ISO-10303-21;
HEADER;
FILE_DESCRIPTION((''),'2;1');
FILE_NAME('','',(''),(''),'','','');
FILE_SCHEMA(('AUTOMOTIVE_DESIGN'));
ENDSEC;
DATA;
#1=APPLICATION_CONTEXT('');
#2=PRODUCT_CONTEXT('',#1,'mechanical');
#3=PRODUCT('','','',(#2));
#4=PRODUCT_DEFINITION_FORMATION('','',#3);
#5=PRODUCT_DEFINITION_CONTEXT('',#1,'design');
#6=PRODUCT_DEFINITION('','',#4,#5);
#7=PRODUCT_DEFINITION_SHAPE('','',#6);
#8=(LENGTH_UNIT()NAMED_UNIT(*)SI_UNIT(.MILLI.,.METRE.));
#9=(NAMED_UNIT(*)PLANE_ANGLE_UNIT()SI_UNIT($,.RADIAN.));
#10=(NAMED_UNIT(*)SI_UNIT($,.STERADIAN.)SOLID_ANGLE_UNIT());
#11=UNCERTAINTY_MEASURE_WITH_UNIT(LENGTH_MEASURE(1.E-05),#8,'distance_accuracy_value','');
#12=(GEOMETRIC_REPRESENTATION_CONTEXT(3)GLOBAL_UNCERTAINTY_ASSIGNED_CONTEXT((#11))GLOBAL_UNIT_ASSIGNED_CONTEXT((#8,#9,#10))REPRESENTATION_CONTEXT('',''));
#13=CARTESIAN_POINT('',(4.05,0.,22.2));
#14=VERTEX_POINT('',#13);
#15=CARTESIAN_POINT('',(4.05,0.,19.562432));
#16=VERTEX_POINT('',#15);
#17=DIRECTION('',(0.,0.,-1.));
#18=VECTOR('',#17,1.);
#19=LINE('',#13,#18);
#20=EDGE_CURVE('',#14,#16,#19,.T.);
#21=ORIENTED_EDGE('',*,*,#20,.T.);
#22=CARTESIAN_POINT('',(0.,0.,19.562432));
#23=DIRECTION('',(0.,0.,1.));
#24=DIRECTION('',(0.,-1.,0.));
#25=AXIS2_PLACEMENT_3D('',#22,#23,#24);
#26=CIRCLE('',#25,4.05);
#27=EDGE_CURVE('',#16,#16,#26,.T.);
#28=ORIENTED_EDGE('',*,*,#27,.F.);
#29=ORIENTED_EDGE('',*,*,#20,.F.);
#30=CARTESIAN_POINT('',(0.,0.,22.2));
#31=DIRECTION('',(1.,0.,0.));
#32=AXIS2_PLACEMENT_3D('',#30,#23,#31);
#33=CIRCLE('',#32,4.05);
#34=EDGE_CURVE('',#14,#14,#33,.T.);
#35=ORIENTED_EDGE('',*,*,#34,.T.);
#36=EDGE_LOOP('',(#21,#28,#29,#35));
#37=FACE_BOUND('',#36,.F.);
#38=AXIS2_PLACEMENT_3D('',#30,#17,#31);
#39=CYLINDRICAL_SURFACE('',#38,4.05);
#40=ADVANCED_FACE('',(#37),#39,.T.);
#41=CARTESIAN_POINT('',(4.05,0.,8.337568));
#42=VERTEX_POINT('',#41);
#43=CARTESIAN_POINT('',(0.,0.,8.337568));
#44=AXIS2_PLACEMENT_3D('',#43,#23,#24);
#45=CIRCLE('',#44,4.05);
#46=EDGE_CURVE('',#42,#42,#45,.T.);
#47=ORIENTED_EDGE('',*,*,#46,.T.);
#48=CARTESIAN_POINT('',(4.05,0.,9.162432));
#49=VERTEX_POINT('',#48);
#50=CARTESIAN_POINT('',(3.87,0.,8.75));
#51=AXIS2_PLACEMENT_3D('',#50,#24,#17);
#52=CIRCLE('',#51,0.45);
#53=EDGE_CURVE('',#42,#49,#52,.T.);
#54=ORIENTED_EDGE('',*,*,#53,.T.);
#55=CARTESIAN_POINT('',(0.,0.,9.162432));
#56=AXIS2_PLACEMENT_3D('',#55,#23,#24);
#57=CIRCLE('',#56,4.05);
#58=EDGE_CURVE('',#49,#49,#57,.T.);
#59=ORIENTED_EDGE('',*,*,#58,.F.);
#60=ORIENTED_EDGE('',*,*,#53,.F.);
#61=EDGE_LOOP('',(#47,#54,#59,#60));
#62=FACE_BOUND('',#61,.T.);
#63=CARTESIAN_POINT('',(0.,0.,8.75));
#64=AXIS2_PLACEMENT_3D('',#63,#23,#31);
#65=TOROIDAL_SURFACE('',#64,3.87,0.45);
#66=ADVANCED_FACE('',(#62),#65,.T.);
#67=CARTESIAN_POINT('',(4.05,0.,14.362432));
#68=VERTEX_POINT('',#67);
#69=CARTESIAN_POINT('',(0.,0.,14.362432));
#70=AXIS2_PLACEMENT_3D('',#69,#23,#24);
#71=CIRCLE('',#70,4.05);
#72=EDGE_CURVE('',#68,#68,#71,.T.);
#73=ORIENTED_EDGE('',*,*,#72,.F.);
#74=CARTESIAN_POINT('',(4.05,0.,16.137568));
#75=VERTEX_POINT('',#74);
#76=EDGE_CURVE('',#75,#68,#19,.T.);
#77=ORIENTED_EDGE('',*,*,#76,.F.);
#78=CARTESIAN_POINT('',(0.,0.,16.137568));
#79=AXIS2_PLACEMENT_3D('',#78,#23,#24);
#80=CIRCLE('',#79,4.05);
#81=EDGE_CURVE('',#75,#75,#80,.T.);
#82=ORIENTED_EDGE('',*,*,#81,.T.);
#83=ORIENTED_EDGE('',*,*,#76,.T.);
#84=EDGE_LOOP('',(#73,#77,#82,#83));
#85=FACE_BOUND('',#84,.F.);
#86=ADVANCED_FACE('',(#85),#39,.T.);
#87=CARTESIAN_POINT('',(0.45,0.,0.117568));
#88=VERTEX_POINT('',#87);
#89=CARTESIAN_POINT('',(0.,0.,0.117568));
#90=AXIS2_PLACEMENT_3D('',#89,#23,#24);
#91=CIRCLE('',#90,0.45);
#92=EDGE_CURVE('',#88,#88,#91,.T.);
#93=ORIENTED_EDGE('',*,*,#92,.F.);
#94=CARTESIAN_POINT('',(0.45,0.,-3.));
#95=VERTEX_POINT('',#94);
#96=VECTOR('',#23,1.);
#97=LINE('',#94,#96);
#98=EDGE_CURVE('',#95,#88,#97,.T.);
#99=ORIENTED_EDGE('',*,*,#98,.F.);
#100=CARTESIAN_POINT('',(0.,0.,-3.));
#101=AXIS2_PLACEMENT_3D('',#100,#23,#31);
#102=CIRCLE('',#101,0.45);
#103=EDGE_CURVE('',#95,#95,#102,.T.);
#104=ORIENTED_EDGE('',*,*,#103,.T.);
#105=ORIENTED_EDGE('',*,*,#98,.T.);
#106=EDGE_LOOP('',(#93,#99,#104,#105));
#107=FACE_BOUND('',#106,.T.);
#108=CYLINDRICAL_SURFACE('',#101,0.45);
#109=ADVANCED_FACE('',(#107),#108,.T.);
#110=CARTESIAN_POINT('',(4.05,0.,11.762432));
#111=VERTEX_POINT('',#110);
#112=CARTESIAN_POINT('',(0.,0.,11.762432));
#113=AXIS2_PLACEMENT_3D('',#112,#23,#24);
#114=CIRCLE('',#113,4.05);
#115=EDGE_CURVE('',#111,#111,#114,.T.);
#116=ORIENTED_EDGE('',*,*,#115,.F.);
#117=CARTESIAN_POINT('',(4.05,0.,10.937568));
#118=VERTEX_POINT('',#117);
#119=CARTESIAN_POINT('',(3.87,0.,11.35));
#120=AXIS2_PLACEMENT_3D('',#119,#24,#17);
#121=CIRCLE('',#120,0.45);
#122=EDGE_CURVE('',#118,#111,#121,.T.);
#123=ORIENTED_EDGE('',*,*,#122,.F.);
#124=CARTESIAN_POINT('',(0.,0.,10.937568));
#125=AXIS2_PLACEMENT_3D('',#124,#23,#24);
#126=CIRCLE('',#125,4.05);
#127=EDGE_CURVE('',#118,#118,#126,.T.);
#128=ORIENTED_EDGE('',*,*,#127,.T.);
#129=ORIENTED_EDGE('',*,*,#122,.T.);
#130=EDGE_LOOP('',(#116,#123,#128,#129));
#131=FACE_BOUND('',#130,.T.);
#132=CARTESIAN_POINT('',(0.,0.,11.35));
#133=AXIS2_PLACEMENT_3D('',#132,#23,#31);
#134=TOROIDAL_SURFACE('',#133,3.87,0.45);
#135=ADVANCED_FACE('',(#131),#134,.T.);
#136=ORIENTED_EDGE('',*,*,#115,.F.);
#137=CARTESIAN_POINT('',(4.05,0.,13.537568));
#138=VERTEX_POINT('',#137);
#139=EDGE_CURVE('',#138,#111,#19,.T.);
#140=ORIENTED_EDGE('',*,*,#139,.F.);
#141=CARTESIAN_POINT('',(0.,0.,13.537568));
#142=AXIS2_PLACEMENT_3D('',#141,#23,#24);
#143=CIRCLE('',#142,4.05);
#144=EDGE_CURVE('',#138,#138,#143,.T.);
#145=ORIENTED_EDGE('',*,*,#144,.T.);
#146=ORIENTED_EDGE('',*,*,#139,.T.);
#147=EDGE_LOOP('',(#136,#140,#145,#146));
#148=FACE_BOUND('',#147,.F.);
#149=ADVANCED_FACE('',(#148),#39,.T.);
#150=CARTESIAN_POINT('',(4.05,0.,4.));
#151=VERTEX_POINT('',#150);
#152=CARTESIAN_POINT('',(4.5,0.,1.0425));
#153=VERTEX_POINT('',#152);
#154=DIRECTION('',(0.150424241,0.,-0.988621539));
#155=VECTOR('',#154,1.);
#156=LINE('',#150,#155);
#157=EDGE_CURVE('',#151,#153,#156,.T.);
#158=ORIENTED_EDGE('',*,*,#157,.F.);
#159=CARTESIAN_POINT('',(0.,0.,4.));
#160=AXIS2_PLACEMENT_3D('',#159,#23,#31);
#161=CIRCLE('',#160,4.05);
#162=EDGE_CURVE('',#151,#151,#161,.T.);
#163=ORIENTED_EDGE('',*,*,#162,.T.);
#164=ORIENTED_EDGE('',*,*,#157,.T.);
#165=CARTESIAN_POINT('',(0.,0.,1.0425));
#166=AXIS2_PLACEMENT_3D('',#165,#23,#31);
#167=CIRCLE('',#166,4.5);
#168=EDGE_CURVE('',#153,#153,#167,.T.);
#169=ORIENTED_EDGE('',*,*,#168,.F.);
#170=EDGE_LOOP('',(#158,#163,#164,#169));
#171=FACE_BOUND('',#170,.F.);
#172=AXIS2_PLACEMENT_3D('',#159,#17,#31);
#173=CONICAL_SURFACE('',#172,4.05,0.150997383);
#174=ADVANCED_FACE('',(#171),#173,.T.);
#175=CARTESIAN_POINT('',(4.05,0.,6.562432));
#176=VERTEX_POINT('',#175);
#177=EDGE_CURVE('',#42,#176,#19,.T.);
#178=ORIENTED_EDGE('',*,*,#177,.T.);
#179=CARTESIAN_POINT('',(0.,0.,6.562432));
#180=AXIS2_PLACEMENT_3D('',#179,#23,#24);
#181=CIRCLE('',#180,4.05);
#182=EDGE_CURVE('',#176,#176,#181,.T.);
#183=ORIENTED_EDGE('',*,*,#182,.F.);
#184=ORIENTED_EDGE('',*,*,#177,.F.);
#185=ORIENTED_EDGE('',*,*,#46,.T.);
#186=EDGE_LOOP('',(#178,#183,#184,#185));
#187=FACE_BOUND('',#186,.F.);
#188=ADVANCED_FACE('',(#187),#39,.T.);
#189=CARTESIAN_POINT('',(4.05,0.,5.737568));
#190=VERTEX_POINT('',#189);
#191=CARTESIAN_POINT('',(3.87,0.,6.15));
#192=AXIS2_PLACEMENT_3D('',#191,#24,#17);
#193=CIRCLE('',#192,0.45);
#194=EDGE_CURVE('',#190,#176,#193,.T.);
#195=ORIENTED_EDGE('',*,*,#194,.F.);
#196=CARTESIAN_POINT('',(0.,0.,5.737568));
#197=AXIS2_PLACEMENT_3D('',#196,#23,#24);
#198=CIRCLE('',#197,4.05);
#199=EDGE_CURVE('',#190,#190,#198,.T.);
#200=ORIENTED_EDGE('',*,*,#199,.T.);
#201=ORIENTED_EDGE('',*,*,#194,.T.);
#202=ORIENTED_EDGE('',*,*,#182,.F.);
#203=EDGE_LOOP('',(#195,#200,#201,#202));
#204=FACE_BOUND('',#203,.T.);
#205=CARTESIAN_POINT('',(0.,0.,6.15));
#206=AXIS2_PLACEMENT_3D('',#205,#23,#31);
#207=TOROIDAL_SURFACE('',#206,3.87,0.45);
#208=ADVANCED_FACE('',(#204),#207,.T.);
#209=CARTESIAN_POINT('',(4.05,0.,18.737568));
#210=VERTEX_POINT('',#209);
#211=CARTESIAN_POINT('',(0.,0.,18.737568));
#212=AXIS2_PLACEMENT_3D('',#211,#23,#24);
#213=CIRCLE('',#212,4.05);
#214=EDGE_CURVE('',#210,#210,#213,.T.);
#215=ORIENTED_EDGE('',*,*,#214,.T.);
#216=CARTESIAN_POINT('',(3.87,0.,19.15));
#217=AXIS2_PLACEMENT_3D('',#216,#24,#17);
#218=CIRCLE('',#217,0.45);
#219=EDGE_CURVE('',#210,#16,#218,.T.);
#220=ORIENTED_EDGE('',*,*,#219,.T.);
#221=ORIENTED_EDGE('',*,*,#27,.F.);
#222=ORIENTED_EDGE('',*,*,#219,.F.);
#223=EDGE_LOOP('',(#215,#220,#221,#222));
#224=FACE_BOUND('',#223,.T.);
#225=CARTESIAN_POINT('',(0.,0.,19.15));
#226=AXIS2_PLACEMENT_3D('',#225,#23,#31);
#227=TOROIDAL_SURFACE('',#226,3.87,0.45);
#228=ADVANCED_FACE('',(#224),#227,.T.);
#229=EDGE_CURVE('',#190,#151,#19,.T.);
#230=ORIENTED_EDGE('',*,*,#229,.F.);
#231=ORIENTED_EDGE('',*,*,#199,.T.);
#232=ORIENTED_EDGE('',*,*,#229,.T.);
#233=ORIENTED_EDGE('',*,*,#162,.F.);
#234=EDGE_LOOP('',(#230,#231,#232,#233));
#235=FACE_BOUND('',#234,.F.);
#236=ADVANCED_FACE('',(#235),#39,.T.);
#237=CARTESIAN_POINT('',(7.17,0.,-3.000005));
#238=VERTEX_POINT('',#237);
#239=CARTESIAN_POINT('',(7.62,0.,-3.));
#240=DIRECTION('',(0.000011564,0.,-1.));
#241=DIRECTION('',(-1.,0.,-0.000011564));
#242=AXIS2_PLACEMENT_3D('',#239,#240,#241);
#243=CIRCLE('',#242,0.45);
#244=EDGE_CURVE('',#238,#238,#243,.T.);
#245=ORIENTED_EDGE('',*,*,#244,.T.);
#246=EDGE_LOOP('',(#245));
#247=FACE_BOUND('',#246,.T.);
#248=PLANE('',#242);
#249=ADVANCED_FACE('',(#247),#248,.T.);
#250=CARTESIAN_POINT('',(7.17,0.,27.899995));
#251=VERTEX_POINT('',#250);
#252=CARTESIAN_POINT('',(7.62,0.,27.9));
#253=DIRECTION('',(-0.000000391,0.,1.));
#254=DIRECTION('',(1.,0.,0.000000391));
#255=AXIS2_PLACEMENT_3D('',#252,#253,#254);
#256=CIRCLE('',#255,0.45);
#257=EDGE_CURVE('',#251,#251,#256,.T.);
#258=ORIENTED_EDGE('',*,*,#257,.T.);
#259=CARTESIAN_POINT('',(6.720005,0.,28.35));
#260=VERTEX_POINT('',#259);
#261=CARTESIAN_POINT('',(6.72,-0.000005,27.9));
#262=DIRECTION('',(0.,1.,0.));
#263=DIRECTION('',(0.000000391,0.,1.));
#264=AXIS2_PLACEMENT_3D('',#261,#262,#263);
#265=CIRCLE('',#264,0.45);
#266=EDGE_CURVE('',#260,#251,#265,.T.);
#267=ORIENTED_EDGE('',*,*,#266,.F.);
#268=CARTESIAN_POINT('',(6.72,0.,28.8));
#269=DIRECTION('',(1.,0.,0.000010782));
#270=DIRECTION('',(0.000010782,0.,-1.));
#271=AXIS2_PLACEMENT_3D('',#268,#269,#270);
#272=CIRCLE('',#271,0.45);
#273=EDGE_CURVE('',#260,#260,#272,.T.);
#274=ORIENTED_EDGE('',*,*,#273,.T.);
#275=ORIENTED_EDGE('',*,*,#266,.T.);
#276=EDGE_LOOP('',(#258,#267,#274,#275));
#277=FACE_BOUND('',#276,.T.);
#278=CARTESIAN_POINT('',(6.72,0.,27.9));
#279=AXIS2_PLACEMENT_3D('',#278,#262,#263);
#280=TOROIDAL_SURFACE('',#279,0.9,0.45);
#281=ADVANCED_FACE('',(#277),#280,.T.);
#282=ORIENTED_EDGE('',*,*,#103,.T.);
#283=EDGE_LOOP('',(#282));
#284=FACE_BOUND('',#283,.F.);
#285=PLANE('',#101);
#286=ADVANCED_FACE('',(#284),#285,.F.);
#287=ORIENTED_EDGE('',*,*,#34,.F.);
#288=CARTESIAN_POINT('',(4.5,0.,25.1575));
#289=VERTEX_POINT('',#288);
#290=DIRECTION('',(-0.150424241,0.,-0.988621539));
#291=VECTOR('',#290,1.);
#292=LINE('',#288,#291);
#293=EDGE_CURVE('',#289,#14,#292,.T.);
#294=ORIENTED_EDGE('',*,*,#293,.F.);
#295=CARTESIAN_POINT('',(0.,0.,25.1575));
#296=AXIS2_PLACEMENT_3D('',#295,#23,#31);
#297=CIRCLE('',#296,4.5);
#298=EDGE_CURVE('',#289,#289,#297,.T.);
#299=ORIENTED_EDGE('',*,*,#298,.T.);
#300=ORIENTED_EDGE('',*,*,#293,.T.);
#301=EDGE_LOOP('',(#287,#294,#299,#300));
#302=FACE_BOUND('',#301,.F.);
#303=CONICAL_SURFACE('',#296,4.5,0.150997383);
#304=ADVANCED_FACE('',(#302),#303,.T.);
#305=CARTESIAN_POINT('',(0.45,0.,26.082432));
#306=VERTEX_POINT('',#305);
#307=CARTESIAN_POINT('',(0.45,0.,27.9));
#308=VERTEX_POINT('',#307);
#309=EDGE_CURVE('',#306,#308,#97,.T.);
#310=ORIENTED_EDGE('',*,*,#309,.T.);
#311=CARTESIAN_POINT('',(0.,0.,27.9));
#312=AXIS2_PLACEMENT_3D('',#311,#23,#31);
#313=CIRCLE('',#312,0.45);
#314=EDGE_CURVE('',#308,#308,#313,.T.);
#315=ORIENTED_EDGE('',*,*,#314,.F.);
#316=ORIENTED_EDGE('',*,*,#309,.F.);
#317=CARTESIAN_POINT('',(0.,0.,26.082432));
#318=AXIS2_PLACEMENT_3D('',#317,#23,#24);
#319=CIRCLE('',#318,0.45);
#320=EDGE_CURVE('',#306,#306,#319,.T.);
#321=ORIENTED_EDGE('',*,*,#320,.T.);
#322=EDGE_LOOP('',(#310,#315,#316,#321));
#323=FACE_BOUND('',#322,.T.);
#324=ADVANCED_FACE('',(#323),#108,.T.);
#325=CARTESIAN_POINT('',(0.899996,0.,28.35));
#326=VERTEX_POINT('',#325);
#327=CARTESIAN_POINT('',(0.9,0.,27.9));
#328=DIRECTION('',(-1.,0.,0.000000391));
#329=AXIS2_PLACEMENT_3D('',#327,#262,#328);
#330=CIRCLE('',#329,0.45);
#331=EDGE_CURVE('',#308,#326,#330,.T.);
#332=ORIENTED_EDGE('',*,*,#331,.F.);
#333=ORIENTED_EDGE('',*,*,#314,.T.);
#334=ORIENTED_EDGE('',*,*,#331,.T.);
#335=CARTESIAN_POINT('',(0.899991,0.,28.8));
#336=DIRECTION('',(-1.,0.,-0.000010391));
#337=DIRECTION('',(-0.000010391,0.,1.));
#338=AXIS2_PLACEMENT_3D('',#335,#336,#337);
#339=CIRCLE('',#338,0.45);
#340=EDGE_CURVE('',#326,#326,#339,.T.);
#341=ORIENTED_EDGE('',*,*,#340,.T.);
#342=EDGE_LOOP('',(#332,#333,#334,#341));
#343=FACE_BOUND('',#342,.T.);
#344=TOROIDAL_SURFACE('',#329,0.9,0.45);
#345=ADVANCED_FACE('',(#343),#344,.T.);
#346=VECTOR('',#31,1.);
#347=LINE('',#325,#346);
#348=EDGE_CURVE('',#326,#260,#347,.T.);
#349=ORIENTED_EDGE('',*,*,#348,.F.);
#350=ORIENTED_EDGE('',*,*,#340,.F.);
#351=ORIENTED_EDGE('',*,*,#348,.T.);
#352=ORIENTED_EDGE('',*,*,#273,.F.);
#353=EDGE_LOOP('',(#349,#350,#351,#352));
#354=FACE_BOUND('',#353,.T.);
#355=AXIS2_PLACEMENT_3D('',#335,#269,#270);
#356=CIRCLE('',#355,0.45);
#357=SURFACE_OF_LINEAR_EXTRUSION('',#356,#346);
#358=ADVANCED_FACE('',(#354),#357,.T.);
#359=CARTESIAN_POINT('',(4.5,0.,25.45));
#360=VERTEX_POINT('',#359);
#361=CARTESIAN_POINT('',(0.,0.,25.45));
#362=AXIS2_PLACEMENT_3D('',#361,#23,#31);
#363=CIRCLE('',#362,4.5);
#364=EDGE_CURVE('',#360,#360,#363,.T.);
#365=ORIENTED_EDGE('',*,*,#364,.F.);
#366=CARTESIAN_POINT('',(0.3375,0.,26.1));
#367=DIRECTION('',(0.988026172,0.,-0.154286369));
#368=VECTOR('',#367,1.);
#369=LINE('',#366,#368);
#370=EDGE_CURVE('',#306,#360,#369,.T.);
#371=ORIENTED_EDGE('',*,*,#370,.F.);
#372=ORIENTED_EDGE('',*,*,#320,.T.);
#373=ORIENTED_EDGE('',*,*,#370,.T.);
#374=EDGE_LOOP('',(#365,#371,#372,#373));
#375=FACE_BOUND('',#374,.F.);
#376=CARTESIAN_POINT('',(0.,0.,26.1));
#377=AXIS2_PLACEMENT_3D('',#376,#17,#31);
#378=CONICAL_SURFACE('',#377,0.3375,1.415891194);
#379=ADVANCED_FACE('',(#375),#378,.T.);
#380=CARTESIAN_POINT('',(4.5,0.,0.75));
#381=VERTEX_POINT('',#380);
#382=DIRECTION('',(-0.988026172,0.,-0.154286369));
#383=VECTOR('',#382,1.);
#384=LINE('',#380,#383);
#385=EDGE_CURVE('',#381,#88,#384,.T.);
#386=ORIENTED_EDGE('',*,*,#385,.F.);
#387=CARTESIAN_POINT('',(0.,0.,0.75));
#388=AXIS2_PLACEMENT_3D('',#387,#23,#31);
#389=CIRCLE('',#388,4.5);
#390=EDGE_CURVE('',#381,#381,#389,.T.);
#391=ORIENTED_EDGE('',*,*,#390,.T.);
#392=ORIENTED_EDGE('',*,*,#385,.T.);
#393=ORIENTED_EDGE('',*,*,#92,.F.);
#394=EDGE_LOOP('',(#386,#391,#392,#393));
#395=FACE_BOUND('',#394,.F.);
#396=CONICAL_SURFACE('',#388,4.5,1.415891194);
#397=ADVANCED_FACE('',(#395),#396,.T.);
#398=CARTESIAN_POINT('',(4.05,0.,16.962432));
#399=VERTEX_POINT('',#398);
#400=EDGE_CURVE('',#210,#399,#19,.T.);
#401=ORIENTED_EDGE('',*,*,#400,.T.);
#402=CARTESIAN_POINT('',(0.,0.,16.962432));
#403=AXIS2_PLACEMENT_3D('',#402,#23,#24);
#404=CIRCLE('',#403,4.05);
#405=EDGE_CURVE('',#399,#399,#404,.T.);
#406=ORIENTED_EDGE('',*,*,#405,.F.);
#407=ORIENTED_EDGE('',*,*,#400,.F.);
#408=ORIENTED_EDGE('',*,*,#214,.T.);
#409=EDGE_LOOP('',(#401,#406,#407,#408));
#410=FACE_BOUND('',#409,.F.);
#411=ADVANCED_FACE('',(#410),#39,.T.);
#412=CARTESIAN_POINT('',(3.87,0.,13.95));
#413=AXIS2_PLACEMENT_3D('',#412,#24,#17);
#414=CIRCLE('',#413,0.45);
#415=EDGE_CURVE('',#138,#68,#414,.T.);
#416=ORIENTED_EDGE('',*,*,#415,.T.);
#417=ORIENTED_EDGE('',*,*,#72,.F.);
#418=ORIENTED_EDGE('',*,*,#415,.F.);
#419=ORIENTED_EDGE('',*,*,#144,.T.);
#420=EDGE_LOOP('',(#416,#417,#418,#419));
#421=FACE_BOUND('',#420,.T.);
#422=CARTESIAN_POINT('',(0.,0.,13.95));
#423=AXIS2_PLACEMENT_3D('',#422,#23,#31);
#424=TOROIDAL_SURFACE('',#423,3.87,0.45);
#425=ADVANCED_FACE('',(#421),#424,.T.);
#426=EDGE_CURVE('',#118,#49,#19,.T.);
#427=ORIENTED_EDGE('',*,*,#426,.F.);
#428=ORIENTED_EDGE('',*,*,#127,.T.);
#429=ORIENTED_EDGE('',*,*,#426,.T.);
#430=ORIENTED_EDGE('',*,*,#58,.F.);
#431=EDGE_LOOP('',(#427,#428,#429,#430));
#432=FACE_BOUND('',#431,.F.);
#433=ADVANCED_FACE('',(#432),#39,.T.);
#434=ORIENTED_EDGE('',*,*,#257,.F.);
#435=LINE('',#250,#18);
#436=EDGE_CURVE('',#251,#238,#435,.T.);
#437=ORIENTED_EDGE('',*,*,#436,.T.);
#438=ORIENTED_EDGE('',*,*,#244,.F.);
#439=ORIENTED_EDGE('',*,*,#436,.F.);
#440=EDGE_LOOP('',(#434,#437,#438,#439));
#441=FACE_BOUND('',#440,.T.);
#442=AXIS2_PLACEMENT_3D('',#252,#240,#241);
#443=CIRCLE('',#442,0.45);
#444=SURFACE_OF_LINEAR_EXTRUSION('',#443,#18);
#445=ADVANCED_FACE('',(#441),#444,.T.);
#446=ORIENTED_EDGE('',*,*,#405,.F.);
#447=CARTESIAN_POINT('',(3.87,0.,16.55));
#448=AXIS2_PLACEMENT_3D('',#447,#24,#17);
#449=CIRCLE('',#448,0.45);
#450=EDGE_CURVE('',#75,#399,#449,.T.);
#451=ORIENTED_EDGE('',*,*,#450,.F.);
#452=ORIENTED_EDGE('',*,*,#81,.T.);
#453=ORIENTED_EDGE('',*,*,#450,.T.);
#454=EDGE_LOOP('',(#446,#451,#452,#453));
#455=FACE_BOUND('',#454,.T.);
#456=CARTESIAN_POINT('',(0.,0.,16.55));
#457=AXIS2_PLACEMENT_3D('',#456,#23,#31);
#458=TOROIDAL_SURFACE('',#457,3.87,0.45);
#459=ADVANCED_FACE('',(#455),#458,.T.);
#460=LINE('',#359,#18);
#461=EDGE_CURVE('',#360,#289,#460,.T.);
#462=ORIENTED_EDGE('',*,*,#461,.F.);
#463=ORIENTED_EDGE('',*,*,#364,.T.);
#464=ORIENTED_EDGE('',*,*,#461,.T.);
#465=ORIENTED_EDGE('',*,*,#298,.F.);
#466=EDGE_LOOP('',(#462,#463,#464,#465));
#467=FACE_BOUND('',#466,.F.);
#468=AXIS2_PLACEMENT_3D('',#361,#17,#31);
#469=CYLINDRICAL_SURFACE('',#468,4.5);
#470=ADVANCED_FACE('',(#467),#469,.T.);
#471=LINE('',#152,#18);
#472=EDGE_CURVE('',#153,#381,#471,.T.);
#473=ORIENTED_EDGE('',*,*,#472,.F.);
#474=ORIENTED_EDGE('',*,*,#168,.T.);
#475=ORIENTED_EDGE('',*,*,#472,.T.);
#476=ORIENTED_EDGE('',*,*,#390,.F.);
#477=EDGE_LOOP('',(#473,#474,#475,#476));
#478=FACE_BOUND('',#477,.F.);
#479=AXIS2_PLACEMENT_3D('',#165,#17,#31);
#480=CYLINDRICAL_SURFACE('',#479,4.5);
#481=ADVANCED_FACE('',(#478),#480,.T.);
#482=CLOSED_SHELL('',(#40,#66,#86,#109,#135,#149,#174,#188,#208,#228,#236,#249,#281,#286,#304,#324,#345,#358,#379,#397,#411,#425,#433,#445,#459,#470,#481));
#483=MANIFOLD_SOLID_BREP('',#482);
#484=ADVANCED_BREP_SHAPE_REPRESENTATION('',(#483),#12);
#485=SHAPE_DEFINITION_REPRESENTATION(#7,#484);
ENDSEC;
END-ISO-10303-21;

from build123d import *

# Parameters (mm, degrees)
SKETCH_R = 0.45


with BuildPart() as revolution:
    # Sketch002 → Revolution (revolve)
    with BuildSketch(Plane.XZ):
        Polygon((0, 0.1), (0, 26.1), (0.3375, 26.1), (4.5, 25.45), (4.5, 25.1575), (4.05, 22.2), (4.05, 4), (4.5, 1.0425), (4.5, 0.75), (0.3375, 0.1), align=None)
    revolve(axis=Axis((0, 0, 0), (0, 0, 1)))


with BuildPart() as sweep_body:
    # Sweep: sweep along a path in Sketch001
    with BuildLine(Plane.XZ) as sweep_path:
        Line((0, -3), (0, 27.9))
        ThreePointArc((0, 27.9), (0.263601, 28.536393), (0.899991, 28.8))
        Line((0.899991, 28.8), (6.72, 28.8))
        ThreePointArc((6.72, 28.8), (7.356396, 28.536396), (7.62, 27.9))
        Line((7.62, 27.9), (7.62, -3))
    # Sketch → Sweep (sweep)
    with BuildSketch(Plane.XY.offset(-2)):
        Circle(SKETCH_R)
    sweep(path=sweep_path.line)


with BuildPart() as revolution001_mp_cp:
    # Sketch003 → Revolution001 (revolve)
    with BuildSketch(Plane.XZ):
        with BuildLine():
            Line((3.6, 21.3), (3.6, 4))
            Line((3.6, 4), (3.87, 4))
            Line((3.87, 4), (3.87, 5.7))
            ThreePointArc((3.87, 5.7), (4.32, 6.15), (3.87, 6.6))
            Line((3.87, 6.6), (3.87, 8.3))
            ThreePointArc((3.87, 8.3), (4.32, 8.75), (3.87, 9.2))
            Line((3.87, 9.2), (3.87, 10.9))
            ThreePointArc((3.87, 10.9), (4.32, 11.35), (3.87, 11.8))
            Line((3.87, 11.8), (3.87, 13.5))
            ThreePointArc((3.87, 13.5), (4.32, 13.95), (3.87, 14.4))
            Line((3.87, 14.4), (3.87, 16.1))
            ThreePointArc((3.87, 16.1), (4.32, 16.55), (3.87, 17))
            Line((3.87, 17), (3.87, 18.7))
            ThreePointArc((3.87, 18.7), (4.32, 19.15), (3.87, 19.6))
            Line((3.87, 21.3), (3.87, 19.6))
            Line((3.6, 21.3), (3.87, 21.3))
        make_face()
    revolve(axis=Axis((0, 0, 0), (0, 0, 1)))

    # Revolution001_mp_cp: union Revolution, Sweep body
    add(revolution.part)
    add(sweep_body.part)


solid = revolution001_mp_cp.part
